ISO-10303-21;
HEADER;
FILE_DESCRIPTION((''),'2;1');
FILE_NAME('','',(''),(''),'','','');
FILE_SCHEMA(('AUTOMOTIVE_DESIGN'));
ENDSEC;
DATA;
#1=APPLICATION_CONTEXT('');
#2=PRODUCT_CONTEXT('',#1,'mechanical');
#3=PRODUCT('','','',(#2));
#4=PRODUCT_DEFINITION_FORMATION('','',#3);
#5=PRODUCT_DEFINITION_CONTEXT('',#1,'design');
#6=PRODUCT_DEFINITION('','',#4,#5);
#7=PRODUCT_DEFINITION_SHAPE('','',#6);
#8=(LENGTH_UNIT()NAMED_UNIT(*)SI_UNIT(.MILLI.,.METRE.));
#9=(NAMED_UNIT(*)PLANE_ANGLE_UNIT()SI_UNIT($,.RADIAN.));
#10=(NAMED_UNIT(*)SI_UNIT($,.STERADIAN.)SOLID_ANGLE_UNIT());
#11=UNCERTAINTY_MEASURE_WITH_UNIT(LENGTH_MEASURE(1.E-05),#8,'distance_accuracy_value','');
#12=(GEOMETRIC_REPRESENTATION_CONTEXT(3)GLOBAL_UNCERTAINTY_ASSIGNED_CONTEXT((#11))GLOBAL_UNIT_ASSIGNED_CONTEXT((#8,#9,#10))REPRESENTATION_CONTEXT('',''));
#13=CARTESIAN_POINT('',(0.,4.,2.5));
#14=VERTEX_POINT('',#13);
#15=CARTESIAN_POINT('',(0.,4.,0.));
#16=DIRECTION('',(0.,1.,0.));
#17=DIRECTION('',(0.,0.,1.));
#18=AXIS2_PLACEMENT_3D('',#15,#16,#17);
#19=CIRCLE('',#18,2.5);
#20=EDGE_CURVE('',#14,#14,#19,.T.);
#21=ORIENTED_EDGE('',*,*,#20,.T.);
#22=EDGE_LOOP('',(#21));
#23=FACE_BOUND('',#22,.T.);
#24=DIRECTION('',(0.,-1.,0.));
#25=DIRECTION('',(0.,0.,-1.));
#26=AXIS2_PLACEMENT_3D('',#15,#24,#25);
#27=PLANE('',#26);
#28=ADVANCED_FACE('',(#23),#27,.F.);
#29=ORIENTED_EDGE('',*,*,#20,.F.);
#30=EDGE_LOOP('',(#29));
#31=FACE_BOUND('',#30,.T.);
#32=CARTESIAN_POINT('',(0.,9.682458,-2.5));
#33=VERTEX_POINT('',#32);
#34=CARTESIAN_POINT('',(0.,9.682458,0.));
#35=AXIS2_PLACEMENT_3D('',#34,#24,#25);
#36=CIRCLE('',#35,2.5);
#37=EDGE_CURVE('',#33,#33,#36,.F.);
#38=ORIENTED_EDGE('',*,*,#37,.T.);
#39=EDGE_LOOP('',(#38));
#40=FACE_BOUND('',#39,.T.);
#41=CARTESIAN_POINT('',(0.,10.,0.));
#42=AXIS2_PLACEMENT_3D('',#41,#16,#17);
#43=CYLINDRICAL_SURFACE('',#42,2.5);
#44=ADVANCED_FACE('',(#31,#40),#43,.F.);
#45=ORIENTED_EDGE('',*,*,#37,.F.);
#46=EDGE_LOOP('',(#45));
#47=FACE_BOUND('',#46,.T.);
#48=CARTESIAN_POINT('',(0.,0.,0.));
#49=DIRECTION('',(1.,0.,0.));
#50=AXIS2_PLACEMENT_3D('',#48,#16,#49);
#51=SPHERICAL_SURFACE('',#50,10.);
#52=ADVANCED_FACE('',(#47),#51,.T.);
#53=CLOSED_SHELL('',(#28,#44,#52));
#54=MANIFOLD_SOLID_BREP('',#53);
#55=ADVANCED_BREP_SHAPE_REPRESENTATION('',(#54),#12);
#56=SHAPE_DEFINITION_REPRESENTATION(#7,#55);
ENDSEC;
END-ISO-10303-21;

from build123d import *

# Parameters (mm, degrees)
M6_TAPPED_HOLE1_D     = 5
M6_TAPPED_HOLE1_DEPTH = 6


with BuildPart() as part:
    # Sketch1 → Revolve1 (revolve)
    with BuildSketch(Plane.XY):
        with BuildLine():
            Line((0, 10), (0, -10))
            ThreePointArc((0, -10), (-10, 0), (0, 10))
        make_face()
    revolve(axis=Axis((0, 10, 0), (0, -1, 0)))

    # M6 Tapped Hole1
    with Locations(Plane(origin=(0, 10, 0), x_dir=(1, 0, 0), z_dir=(0, 1, 0))):
        with Locations((0, 0)):
            Hole(M6_TAPPED_HOLE1_D / 2, depth=M6_TAPPED_HOLE1_DEPTH)


solid = part.part
